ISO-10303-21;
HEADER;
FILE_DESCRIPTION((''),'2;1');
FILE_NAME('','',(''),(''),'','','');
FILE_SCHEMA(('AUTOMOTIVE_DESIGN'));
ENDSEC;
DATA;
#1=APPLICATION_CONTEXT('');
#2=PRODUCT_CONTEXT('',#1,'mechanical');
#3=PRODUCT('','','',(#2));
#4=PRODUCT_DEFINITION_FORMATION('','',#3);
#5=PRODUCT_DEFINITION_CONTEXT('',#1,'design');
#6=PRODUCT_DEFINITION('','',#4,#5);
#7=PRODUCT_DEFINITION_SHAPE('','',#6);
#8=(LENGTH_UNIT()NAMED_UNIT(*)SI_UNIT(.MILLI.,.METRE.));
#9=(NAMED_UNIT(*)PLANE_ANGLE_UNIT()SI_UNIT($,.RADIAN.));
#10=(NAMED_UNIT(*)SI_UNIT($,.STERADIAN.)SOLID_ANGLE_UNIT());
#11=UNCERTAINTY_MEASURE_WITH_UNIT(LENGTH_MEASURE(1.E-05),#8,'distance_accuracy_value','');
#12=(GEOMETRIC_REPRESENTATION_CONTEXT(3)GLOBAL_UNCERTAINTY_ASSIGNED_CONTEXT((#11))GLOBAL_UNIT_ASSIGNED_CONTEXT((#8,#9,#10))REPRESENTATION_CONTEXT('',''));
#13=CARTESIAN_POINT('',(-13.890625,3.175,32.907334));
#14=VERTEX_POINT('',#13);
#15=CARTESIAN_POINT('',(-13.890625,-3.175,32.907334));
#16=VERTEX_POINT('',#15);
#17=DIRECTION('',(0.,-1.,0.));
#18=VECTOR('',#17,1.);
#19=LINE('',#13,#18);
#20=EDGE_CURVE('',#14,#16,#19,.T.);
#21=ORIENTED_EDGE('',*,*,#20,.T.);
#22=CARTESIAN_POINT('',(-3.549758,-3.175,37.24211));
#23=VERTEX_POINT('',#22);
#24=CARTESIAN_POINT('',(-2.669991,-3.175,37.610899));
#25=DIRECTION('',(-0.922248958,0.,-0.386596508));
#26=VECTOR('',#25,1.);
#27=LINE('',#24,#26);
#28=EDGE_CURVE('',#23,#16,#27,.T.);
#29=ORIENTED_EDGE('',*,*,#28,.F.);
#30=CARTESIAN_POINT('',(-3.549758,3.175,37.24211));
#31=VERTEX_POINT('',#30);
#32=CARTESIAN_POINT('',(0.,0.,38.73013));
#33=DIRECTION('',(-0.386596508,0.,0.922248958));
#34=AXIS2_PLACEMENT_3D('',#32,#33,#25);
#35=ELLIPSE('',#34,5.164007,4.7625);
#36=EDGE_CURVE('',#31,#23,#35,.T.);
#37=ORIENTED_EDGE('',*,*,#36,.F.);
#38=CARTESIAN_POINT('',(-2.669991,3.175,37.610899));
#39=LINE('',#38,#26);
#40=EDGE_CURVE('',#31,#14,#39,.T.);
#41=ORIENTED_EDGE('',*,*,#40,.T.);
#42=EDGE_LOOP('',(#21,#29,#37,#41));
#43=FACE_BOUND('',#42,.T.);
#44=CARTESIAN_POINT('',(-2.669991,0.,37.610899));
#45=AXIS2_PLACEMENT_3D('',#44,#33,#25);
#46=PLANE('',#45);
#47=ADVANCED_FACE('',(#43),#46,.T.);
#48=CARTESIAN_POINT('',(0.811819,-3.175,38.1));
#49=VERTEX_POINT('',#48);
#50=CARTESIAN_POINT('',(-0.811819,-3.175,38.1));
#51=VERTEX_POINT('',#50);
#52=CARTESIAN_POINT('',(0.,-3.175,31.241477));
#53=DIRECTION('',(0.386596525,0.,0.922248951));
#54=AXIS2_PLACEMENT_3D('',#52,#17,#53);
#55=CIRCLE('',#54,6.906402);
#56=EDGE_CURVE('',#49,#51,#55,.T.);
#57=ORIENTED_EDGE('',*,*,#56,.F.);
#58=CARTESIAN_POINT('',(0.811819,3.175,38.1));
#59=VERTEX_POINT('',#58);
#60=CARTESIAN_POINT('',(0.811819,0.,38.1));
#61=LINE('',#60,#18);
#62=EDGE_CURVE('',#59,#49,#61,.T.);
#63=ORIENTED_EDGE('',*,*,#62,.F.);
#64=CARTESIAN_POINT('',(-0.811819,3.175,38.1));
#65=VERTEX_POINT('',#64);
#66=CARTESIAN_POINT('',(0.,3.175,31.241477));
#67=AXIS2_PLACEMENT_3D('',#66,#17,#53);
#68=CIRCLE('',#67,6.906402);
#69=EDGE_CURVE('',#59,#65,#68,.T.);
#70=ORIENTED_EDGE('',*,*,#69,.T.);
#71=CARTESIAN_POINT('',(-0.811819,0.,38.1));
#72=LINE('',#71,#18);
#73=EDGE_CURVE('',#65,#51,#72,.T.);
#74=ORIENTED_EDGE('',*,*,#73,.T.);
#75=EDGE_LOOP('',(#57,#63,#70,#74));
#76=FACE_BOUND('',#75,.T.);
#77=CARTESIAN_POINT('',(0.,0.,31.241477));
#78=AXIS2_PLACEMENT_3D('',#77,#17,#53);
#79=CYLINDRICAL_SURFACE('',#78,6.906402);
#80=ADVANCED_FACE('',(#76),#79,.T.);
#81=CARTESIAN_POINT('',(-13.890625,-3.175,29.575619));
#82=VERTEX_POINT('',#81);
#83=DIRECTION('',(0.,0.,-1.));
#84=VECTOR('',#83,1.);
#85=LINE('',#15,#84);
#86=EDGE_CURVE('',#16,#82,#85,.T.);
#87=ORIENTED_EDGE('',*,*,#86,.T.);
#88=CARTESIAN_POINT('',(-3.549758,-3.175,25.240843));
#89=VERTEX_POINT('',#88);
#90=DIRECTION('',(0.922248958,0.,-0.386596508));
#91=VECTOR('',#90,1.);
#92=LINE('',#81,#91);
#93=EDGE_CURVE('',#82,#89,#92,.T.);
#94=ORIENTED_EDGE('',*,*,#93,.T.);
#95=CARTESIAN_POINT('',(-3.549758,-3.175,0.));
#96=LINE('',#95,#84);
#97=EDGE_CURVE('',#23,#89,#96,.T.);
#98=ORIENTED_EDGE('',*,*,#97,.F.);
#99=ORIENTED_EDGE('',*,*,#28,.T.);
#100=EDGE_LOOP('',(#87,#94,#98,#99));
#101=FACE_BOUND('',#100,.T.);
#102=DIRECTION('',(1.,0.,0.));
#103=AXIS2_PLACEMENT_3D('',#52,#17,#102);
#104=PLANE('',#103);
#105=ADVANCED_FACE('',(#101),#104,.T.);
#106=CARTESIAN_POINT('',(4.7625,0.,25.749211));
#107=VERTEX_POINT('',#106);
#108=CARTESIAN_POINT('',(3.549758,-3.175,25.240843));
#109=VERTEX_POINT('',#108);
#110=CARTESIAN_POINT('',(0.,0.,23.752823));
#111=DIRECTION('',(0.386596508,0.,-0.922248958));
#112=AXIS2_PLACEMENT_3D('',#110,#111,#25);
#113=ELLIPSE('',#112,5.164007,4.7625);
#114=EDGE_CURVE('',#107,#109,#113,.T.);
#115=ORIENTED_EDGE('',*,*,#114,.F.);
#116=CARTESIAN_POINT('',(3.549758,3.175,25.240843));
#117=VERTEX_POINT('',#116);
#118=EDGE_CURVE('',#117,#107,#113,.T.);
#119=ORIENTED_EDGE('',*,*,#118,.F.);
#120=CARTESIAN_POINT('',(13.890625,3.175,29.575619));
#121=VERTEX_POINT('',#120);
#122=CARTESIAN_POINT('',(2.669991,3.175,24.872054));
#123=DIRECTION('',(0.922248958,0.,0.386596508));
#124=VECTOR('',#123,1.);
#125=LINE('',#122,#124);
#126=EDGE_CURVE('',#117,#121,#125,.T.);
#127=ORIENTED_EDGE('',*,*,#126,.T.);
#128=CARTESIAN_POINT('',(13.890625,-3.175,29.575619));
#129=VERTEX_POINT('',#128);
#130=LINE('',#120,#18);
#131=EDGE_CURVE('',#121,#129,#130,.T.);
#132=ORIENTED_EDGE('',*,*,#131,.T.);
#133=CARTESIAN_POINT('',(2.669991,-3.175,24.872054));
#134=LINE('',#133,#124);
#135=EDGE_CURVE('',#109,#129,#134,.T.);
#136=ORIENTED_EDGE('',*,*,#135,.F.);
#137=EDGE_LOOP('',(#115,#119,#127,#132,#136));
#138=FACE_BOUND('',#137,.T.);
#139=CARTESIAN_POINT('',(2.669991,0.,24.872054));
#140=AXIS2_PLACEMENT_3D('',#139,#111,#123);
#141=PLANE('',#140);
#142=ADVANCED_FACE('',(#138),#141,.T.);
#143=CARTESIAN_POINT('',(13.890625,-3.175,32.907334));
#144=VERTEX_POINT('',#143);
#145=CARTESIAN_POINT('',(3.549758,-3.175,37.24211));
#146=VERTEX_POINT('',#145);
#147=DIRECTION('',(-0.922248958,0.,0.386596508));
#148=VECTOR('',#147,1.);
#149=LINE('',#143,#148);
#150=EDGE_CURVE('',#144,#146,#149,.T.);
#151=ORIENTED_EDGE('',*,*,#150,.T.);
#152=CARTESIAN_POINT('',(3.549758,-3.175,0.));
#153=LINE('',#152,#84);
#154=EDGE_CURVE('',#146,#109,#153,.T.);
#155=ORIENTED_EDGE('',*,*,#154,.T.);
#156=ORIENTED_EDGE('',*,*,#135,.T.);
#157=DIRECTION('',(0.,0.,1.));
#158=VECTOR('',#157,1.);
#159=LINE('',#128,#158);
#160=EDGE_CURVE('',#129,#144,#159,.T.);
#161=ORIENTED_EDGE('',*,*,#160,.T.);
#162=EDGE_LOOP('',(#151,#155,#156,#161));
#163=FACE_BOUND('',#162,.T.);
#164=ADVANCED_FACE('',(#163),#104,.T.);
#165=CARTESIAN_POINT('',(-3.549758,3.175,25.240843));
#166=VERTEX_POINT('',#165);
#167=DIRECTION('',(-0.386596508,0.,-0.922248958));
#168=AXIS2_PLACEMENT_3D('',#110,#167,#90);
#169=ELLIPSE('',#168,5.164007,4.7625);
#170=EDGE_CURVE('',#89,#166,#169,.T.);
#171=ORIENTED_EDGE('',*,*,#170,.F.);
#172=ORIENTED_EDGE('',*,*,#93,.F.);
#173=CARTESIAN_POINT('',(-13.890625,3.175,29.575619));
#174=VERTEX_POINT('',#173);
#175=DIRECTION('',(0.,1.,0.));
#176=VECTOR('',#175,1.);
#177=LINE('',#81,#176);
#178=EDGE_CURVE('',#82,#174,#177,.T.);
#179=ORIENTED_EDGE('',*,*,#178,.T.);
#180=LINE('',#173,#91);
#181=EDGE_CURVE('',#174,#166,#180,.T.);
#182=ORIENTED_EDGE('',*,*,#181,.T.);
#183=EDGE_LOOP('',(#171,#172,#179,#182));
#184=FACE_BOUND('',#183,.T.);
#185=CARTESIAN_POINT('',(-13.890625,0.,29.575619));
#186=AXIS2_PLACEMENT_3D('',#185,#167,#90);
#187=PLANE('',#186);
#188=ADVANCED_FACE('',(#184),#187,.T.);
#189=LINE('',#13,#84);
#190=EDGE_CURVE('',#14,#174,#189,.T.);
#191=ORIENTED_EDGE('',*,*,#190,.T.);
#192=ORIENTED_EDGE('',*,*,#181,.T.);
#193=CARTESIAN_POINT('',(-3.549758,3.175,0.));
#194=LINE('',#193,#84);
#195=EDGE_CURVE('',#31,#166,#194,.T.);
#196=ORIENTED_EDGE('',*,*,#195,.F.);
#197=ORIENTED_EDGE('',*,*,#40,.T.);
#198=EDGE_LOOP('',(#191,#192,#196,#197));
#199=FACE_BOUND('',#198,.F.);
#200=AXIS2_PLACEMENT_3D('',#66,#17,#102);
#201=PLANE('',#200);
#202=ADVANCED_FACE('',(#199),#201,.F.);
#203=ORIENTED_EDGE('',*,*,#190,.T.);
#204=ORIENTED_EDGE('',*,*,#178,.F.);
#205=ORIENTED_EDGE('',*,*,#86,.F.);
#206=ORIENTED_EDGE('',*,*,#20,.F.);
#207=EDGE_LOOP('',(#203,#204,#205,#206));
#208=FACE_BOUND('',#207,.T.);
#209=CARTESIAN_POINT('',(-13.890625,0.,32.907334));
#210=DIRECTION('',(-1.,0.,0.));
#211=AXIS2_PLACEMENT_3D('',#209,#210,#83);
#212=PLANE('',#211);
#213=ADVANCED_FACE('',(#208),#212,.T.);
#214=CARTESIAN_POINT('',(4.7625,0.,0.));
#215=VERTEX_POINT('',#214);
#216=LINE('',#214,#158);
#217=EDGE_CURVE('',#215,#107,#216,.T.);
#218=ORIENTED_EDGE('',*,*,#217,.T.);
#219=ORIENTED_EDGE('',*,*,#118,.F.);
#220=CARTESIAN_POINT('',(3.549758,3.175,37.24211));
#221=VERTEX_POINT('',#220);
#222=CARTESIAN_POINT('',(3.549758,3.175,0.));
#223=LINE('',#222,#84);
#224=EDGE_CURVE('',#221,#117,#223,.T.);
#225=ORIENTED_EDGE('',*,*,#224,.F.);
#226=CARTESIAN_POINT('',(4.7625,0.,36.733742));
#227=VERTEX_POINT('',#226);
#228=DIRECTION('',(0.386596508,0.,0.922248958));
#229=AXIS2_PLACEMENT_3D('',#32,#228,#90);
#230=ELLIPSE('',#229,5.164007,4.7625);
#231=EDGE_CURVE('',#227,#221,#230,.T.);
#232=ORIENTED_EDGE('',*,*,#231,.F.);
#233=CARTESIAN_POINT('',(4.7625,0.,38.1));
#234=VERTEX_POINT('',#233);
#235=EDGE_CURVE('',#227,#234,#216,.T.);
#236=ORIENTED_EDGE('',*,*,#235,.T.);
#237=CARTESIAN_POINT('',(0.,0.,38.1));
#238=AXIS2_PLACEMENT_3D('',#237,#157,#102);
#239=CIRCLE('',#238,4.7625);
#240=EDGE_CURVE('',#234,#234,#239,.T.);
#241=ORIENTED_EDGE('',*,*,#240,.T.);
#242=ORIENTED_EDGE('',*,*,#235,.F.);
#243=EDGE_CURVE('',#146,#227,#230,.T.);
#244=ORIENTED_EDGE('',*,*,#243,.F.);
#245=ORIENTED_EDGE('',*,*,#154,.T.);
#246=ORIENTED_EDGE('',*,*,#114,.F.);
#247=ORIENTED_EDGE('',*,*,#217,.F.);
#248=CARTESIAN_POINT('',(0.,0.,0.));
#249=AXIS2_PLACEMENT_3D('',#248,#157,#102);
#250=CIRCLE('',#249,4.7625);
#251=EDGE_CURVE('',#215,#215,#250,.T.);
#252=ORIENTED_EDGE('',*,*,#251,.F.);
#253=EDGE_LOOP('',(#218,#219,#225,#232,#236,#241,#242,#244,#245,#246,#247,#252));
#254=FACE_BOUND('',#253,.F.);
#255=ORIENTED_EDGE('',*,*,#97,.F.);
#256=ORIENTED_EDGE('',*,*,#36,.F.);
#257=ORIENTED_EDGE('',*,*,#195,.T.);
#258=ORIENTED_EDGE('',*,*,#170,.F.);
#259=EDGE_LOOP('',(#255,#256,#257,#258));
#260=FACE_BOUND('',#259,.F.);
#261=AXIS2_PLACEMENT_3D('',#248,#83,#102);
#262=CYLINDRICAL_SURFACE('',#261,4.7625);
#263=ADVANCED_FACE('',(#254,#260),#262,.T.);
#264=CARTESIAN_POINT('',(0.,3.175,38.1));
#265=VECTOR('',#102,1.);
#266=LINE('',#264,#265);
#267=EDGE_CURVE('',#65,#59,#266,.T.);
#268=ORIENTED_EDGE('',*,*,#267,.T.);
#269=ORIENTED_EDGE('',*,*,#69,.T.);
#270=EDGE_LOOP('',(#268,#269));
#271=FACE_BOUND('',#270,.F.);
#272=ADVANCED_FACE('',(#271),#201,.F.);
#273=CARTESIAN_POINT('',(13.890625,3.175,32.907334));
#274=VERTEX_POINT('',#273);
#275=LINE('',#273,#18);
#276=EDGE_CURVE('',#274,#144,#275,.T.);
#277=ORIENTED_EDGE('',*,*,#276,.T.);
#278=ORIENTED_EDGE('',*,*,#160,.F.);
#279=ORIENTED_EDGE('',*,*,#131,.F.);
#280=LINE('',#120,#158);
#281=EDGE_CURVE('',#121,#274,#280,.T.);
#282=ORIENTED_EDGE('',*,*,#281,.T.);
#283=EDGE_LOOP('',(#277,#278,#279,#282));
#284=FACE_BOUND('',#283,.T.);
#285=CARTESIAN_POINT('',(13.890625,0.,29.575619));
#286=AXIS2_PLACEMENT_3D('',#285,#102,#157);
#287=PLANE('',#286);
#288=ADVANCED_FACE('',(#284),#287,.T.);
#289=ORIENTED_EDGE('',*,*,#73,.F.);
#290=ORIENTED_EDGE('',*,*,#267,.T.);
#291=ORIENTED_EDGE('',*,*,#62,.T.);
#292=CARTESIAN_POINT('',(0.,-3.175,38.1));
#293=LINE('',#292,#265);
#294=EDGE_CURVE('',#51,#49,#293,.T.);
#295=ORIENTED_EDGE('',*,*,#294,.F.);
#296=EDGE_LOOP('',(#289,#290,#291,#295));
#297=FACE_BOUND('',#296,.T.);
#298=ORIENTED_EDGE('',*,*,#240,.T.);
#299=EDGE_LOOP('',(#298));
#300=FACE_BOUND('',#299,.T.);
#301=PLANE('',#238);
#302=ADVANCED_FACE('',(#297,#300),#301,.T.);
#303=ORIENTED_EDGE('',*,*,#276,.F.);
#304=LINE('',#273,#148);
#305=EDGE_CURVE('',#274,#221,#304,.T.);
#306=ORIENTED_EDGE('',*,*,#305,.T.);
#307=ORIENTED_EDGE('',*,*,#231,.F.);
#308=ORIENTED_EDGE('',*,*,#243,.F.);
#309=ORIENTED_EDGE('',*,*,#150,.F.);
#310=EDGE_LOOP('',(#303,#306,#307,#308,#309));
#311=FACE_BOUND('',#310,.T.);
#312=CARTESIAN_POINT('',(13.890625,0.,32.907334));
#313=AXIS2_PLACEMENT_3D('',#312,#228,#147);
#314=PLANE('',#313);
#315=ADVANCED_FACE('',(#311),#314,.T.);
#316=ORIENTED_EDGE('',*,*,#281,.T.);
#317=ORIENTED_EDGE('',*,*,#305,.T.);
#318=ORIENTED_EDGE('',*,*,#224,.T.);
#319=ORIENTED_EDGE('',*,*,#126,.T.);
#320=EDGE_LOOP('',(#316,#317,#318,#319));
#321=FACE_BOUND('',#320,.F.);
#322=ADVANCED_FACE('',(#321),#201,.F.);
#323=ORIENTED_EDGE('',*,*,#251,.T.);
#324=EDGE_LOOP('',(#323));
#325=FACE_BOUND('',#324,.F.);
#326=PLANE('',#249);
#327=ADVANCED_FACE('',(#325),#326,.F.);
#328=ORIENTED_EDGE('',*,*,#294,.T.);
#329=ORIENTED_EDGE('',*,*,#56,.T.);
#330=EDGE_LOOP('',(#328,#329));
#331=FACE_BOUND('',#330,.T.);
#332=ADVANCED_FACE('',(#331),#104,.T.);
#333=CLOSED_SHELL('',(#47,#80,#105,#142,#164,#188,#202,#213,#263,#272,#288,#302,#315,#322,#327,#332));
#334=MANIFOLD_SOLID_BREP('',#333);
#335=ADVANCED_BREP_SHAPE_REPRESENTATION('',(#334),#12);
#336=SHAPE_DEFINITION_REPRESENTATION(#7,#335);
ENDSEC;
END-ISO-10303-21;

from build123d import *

# Parameters (mm, degrees)
F0_R     = 4.7625
F1_DEPTH = 38.1
F3_DEPTH = 3.175


with BuildPart() as f1:
    # F0 (on Top) → F1 (new body)
    with BuildSketch(Plane.XY):
        Circle(F0_R)
    extrude(amount=F1_DEPTH)

    # F2 (on Front) → F3 (join, symmetric)
    with BuildSketch(Plane.XZ):
        with BuildLine():
            Line((2.669991, 24.872054), (13.890625, 29.575619))
            Line((13.890625, 29.575619), (13.890625, 32.907334))
            Line((13.890625, 32.907334), (2.669991, 37.610899))
            ThreePointArc((2.669991, 37.610899), (0, 38.147879), (-2.669991, 37.610899))
            Line((-2.669991, 37.610899), (-13.890625, 32.907334))
            Line((-13.890625, 32.907334), (-13.890625, 29.575619))
            Line((-13.890625, 29.575619), (-2.669991, 24.872054))
            ThreePointArc((-2.669991, 24.872054), (0, 24.335074), (2.669991, 24.872054))
        make_face()
    extrude(amount=F3_DEPTH, both=True)


solid = f1.part
